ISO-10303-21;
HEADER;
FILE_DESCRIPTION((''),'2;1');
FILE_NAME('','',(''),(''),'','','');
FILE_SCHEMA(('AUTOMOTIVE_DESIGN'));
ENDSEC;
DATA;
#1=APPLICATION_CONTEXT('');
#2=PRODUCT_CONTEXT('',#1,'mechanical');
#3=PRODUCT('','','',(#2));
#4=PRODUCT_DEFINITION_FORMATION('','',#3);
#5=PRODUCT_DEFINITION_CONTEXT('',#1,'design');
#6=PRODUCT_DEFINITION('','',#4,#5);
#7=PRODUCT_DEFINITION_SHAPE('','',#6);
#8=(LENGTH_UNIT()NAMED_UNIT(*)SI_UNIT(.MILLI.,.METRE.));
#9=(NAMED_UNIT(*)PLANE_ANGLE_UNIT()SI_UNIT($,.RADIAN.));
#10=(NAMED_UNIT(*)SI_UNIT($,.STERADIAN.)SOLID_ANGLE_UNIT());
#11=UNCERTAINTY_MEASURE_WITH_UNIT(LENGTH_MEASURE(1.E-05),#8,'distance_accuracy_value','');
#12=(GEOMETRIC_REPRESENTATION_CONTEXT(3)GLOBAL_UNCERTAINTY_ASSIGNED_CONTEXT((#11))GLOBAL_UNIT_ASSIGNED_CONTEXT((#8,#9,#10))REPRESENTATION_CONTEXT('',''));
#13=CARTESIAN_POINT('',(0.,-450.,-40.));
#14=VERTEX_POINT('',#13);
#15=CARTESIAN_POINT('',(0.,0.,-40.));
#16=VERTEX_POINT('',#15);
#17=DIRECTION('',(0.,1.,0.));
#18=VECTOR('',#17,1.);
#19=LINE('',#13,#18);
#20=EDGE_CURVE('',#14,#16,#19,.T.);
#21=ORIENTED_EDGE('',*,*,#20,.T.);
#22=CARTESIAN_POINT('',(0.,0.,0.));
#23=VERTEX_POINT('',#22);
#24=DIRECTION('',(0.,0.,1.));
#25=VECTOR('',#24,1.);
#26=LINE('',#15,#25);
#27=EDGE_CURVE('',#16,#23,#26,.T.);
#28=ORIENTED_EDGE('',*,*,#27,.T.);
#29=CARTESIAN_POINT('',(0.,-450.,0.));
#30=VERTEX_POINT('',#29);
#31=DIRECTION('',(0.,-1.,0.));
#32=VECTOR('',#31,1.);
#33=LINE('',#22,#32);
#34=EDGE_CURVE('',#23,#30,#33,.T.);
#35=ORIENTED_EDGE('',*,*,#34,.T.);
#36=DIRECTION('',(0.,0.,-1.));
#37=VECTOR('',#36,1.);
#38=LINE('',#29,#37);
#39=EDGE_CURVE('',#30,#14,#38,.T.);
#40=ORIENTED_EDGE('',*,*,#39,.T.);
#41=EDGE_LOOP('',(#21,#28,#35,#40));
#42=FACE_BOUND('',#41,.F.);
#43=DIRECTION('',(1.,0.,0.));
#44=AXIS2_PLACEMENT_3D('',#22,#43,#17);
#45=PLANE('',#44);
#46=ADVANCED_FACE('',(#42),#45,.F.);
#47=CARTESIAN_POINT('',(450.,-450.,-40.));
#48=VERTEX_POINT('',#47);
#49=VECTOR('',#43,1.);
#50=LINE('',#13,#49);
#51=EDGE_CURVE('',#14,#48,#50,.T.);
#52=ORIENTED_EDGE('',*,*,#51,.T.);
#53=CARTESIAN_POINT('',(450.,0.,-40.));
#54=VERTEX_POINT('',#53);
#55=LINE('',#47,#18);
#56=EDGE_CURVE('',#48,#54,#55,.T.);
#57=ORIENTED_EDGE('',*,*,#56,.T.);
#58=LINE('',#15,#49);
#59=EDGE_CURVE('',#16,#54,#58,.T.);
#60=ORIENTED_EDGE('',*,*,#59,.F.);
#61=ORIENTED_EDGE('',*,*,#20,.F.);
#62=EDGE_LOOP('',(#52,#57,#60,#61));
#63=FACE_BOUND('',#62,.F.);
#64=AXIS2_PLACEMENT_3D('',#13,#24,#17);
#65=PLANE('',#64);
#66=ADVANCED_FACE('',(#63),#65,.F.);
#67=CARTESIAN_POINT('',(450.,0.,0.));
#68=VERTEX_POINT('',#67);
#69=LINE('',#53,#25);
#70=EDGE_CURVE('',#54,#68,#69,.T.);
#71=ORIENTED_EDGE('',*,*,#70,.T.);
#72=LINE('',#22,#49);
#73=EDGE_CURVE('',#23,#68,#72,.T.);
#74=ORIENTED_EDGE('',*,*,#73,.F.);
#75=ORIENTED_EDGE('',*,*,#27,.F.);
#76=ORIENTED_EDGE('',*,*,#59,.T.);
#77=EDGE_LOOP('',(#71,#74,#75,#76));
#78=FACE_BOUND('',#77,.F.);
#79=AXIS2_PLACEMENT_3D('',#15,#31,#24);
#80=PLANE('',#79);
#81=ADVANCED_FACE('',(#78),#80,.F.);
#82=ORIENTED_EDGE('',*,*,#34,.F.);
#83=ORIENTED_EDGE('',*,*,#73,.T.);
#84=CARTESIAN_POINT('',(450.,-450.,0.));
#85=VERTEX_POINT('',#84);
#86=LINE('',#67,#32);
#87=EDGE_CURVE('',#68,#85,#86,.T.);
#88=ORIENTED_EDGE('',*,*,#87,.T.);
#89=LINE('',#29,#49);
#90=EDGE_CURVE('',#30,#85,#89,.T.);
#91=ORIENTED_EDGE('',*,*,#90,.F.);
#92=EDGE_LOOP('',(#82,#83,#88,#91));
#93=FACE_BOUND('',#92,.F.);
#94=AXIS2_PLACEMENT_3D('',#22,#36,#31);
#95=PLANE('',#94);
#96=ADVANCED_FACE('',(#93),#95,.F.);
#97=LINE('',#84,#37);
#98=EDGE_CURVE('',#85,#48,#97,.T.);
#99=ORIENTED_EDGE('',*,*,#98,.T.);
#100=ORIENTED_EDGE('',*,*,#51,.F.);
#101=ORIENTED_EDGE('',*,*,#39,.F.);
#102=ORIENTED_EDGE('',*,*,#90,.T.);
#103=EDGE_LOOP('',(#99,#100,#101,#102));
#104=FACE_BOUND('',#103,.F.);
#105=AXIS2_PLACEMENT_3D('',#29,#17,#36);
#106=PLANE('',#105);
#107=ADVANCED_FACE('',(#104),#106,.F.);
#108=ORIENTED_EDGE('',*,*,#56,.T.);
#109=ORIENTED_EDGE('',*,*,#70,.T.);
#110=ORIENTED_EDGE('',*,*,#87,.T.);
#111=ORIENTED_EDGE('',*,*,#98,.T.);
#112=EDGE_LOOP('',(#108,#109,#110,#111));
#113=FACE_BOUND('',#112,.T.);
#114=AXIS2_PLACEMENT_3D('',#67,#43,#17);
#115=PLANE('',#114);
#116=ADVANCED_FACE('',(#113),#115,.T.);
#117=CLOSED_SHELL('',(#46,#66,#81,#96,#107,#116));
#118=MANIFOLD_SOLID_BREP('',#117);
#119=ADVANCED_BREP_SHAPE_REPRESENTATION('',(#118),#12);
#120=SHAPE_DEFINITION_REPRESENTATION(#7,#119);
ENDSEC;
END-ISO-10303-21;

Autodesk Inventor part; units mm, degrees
ref_plane "YZ Plane" through (0, 0, 0) normal (1, 0, 0) x (0, 1, 0)
ref_plane "XZ Plane" through (0, 0, 0) normal (0, 1, 0) x (-1, 0, 0)
ref_plane "XY Plane" through (0, 0, 0) normal (0, 0, 1) x (1, 0, 0)
sketch "Sketch1" plane through (0, 0, 0) normal (1, 0, 0) x (0, 1, 0)
  line L0 (0, 0) -> (-450, 0)
  line L1 (-450, 0) -> (-450, -40)
  line L2 (-450, -40) -> (0, -40)
  line L3 (0, -40) -> (0, 0)
  dimension "d0" = 450
  dimension "d1" = 40
extrude "Extrusion1" add sketch "Sketch1" along normal blind 450
